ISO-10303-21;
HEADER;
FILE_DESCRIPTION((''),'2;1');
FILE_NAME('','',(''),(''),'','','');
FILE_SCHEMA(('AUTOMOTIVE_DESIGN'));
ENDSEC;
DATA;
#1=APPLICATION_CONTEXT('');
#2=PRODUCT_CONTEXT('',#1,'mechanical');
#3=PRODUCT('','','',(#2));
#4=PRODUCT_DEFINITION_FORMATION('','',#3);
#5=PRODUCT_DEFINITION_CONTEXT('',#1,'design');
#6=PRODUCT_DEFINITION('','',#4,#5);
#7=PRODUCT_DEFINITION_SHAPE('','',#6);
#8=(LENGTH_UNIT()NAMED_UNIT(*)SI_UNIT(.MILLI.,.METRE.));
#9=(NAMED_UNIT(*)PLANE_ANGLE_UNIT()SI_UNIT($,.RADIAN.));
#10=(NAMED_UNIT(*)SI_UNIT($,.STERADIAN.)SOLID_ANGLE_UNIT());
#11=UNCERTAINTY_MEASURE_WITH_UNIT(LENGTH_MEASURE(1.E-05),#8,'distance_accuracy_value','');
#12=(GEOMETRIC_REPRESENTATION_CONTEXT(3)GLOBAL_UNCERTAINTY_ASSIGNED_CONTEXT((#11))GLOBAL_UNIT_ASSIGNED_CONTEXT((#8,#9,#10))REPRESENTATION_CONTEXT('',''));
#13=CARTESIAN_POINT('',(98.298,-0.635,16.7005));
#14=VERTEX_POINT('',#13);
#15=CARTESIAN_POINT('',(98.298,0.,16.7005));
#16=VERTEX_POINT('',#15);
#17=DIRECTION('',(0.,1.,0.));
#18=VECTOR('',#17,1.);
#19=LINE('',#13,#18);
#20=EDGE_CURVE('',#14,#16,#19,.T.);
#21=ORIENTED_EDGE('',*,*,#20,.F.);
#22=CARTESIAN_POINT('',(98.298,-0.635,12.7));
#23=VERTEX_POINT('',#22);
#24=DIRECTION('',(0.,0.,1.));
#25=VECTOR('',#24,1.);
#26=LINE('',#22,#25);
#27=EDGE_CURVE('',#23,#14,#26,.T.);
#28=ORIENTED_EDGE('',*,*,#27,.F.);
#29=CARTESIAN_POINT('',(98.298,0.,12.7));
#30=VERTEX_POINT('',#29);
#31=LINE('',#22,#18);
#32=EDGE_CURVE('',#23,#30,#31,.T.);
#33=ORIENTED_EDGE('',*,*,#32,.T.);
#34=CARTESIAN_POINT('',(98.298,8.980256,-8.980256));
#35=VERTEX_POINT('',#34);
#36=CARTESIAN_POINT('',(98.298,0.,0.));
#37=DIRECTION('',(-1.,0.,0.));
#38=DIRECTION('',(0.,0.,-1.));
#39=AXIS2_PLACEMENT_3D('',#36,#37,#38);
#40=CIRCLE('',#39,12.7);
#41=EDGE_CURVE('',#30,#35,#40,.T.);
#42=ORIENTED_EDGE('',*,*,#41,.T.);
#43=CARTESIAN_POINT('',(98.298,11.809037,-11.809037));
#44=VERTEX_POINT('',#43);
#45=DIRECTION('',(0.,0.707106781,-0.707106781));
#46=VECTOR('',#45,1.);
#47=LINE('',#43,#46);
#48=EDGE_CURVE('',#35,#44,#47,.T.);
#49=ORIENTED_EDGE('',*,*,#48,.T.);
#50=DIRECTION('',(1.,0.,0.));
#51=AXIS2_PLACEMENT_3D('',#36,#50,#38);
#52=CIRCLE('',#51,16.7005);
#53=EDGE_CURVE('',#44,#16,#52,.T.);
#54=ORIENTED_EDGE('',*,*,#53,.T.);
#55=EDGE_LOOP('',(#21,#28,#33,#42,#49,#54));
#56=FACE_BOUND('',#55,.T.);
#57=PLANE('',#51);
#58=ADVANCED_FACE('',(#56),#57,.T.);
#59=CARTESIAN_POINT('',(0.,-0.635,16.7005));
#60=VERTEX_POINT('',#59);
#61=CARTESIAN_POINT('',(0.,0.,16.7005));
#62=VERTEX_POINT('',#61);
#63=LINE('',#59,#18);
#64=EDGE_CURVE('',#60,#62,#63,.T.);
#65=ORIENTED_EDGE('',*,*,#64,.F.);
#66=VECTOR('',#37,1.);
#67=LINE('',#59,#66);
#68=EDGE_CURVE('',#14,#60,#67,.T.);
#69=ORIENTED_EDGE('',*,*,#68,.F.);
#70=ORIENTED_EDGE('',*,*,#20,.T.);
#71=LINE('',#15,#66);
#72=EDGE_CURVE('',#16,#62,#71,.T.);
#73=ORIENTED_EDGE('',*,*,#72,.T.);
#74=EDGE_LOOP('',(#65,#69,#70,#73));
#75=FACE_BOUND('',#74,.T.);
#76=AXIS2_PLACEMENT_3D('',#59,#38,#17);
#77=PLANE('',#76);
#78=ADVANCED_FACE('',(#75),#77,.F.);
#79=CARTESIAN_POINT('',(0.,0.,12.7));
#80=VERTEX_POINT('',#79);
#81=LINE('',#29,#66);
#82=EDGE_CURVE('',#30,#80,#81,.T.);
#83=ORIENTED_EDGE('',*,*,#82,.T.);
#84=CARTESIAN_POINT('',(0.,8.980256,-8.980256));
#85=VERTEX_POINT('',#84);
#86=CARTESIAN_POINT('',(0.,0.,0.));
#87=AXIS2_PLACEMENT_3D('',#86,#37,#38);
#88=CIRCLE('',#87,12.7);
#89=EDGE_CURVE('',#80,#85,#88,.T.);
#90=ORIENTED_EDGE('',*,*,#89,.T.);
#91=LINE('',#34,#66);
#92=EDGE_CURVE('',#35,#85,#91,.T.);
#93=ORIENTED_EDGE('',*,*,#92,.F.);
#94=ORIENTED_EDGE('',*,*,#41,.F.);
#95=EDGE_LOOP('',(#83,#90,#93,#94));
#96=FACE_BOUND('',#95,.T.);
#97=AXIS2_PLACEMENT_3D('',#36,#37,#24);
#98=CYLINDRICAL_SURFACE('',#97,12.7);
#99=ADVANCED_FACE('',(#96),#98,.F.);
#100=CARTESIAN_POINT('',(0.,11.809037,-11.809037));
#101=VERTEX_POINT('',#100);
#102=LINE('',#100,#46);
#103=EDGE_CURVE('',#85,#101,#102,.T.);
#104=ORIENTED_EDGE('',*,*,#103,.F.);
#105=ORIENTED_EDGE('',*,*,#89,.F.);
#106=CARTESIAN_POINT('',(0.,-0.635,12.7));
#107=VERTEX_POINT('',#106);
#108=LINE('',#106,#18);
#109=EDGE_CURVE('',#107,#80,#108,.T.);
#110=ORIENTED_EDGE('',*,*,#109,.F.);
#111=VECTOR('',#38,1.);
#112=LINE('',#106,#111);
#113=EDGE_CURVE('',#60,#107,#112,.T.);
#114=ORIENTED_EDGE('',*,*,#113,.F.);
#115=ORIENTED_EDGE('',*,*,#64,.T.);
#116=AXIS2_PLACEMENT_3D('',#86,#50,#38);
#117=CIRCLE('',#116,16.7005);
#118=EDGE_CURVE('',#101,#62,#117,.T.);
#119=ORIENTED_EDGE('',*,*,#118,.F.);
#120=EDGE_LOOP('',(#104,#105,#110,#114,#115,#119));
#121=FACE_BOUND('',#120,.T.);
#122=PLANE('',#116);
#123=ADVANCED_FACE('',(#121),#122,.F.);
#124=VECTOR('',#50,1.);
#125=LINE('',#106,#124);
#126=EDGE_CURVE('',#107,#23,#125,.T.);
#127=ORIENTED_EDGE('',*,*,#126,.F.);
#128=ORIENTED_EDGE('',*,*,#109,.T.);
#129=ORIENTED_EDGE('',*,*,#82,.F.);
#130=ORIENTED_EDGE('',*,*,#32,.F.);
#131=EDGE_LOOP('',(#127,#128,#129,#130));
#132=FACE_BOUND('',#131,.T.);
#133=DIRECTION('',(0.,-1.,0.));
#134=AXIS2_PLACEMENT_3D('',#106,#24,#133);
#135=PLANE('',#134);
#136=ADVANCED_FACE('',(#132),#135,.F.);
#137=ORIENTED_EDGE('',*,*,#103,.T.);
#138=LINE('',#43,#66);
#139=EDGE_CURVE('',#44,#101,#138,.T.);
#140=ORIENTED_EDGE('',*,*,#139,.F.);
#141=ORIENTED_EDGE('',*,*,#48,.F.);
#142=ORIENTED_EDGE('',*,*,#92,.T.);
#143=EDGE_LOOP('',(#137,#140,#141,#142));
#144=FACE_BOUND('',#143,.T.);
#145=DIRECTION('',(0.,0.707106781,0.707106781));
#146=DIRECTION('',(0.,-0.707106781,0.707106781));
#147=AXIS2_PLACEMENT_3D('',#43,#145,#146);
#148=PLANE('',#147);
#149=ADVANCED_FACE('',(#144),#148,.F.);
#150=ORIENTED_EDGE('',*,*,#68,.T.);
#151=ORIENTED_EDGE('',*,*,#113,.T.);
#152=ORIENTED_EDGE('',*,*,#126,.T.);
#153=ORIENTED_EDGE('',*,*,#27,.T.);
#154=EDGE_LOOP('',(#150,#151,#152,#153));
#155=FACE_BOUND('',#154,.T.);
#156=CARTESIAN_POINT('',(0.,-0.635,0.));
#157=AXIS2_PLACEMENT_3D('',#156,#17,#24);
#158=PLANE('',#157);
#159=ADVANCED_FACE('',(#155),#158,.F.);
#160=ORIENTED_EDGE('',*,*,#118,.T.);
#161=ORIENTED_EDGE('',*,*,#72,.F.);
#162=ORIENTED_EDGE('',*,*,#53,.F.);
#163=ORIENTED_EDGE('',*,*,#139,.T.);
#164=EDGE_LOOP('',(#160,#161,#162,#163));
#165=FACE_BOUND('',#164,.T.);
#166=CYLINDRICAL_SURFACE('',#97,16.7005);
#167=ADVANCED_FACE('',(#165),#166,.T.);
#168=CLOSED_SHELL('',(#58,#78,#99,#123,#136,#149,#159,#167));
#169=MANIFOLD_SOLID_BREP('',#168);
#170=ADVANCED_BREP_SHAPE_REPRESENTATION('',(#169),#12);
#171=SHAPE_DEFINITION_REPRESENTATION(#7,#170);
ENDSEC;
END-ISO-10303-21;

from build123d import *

# Parameters (mm, degrees)
BOSS_EXTRUDE1_DEPTH = 98.298
SKETCH2_W           = 98.298
SKETCH2_H           = 4.0005
BOSS_EXTRUDE2_DEPTH = 0.635


with BuildPart() as part:
    # Sketch1 → Boss-Extrude1 (new body)
    with BuildSketch(Plane(origin=(0, 0, 0), x_dir=(0, 0, -1), z_dir=(1, 0, 0))):
        with BuildLine():
            Line((-16.7005, 0), (-12.7, 0))
            ThreePointArc((-12.7, 0), (-4.860079591, 11.733270063), (8.980256121, 8.980256121))
            Line((8.980256121, 8.980256121), (11.809036799, 11.809036799))
            ThreePointArc((11.809036799, 11.809036799), (-6.391004662, 15.429250133), (-16.7005, 0))
        make_face()
    extrude(amount=BOSS_EXTRUDE1_DEPTH)

    # Sketch2 → Boss-Extrude2 (add)
    with BuildSketch(Plane.XZ):
        with Locations((49.149, 14.70025)):
            Rectangle(SKETCH2_W, SKETCH2_H)
    extrude(amount=BOSS_EXTRUDE2_DEPTH)


solid = part.part
